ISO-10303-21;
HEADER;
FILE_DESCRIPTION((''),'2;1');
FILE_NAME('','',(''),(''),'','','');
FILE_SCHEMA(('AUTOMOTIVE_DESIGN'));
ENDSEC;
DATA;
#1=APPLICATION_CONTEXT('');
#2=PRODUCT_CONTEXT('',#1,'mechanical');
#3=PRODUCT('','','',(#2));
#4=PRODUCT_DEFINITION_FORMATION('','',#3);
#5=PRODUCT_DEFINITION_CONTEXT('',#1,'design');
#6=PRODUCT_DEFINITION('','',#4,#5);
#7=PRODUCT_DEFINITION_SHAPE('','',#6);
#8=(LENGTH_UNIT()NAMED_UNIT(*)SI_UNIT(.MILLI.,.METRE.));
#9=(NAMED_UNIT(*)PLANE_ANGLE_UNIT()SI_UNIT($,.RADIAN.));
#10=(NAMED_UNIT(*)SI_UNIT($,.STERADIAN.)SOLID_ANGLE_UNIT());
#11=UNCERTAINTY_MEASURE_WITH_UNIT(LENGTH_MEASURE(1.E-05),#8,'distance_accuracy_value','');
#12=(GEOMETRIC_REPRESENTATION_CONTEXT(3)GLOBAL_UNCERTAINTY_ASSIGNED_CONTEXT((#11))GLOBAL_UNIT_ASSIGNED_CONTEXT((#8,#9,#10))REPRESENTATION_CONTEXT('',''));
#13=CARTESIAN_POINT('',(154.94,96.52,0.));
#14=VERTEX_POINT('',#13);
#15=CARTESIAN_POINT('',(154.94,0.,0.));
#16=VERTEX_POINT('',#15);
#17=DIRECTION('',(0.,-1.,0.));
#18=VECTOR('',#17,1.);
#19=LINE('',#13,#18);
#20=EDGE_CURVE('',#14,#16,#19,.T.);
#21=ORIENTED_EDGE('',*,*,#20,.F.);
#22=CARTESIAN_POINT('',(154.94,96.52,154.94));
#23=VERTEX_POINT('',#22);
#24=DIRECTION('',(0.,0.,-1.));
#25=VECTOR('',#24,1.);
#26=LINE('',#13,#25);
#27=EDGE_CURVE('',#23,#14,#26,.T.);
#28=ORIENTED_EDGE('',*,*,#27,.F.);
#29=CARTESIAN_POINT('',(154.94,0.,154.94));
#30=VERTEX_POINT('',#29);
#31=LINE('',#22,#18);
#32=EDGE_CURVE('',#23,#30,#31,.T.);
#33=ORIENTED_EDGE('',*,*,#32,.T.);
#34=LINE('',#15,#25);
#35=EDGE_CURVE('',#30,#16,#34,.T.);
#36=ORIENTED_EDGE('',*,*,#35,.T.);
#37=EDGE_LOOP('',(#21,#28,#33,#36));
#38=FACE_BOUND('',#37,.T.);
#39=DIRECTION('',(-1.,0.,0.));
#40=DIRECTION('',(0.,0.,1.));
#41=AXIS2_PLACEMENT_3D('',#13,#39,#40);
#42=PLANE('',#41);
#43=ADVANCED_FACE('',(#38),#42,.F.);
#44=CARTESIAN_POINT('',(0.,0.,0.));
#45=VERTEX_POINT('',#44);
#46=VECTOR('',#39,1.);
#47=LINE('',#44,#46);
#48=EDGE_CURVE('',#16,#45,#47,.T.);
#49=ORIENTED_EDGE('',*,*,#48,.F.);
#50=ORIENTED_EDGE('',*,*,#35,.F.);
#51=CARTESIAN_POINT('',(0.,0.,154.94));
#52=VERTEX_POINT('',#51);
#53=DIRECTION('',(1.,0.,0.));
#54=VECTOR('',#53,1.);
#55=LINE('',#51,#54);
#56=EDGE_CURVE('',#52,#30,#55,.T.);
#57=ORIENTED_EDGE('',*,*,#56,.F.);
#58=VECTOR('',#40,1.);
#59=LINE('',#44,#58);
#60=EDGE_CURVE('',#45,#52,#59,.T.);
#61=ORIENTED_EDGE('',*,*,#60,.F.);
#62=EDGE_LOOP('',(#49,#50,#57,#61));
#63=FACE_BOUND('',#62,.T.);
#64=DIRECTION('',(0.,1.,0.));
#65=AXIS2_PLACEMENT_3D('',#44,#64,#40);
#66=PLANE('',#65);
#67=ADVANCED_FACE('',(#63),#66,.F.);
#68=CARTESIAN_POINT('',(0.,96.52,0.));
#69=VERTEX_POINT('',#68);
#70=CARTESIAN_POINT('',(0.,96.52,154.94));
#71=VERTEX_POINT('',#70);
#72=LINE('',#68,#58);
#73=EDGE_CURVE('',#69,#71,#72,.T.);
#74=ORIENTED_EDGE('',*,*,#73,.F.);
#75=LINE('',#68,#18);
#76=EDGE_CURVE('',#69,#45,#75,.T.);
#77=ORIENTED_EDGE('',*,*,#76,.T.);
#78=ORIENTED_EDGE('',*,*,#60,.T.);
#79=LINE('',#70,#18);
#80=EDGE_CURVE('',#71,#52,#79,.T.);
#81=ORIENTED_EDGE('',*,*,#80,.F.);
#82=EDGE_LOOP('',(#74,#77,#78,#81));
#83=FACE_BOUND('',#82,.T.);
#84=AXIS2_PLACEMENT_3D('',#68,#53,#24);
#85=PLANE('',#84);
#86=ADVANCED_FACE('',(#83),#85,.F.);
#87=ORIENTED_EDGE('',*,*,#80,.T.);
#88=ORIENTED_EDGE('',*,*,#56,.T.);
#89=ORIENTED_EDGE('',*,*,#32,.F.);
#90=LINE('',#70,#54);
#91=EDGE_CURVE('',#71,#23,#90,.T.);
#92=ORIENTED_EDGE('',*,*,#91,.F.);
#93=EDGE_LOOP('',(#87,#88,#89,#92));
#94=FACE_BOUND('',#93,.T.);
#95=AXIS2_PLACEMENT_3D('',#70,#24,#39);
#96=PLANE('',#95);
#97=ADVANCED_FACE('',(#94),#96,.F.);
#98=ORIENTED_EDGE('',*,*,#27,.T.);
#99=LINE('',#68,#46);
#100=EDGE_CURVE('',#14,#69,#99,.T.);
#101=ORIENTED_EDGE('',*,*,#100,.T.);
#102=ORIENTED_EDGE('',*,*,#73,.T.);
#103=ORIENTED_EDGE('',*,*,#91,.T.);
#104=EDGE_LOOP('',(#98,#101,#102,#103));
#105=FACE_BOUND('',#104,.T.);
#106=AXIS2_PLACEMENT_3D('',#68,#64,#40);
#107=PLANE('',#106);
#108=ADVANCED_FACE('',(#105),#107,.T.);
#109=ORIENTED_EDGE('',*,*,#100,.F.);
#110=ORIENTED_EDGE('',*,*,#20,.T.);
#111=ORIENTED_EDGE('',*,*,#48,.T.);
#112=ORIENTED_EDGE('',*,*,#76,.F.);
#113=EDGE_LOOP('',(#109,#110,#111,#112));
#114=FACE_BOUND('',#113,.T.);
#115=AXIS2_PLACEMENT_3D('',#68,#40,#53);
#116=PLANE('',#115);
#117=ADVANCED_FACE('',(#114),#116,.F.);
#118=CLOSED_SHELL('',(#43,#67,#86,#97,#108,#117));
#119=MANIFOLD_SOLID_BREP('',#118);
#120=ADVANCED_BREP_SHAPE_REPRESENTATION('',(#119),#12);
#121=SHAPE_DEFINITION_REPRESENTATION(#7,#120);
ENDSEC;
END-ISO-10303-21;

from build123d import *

# Parameters (mm, degrees)
SKETCH1_W           = 154.94
SKETCH1_H           = 154.94
BOSS_EXTRUDE1_DEPTH = 96.52


with BuildPart() as part:
    # Sketch1 → Boss-Extrude1 (new body)
    with BuildSketch(Plane(origin=(0, 0, 0), x_dir=(1, 0, 0), z_dir=(0, 1, 0))):
        with Locations((77.47, -77.47)):
            Rectangle(SKETCH1_W, SKETCH1_H)
    extrude(amount=BOSS_EXTRUDE1_DEPTH)


solid = part.part
